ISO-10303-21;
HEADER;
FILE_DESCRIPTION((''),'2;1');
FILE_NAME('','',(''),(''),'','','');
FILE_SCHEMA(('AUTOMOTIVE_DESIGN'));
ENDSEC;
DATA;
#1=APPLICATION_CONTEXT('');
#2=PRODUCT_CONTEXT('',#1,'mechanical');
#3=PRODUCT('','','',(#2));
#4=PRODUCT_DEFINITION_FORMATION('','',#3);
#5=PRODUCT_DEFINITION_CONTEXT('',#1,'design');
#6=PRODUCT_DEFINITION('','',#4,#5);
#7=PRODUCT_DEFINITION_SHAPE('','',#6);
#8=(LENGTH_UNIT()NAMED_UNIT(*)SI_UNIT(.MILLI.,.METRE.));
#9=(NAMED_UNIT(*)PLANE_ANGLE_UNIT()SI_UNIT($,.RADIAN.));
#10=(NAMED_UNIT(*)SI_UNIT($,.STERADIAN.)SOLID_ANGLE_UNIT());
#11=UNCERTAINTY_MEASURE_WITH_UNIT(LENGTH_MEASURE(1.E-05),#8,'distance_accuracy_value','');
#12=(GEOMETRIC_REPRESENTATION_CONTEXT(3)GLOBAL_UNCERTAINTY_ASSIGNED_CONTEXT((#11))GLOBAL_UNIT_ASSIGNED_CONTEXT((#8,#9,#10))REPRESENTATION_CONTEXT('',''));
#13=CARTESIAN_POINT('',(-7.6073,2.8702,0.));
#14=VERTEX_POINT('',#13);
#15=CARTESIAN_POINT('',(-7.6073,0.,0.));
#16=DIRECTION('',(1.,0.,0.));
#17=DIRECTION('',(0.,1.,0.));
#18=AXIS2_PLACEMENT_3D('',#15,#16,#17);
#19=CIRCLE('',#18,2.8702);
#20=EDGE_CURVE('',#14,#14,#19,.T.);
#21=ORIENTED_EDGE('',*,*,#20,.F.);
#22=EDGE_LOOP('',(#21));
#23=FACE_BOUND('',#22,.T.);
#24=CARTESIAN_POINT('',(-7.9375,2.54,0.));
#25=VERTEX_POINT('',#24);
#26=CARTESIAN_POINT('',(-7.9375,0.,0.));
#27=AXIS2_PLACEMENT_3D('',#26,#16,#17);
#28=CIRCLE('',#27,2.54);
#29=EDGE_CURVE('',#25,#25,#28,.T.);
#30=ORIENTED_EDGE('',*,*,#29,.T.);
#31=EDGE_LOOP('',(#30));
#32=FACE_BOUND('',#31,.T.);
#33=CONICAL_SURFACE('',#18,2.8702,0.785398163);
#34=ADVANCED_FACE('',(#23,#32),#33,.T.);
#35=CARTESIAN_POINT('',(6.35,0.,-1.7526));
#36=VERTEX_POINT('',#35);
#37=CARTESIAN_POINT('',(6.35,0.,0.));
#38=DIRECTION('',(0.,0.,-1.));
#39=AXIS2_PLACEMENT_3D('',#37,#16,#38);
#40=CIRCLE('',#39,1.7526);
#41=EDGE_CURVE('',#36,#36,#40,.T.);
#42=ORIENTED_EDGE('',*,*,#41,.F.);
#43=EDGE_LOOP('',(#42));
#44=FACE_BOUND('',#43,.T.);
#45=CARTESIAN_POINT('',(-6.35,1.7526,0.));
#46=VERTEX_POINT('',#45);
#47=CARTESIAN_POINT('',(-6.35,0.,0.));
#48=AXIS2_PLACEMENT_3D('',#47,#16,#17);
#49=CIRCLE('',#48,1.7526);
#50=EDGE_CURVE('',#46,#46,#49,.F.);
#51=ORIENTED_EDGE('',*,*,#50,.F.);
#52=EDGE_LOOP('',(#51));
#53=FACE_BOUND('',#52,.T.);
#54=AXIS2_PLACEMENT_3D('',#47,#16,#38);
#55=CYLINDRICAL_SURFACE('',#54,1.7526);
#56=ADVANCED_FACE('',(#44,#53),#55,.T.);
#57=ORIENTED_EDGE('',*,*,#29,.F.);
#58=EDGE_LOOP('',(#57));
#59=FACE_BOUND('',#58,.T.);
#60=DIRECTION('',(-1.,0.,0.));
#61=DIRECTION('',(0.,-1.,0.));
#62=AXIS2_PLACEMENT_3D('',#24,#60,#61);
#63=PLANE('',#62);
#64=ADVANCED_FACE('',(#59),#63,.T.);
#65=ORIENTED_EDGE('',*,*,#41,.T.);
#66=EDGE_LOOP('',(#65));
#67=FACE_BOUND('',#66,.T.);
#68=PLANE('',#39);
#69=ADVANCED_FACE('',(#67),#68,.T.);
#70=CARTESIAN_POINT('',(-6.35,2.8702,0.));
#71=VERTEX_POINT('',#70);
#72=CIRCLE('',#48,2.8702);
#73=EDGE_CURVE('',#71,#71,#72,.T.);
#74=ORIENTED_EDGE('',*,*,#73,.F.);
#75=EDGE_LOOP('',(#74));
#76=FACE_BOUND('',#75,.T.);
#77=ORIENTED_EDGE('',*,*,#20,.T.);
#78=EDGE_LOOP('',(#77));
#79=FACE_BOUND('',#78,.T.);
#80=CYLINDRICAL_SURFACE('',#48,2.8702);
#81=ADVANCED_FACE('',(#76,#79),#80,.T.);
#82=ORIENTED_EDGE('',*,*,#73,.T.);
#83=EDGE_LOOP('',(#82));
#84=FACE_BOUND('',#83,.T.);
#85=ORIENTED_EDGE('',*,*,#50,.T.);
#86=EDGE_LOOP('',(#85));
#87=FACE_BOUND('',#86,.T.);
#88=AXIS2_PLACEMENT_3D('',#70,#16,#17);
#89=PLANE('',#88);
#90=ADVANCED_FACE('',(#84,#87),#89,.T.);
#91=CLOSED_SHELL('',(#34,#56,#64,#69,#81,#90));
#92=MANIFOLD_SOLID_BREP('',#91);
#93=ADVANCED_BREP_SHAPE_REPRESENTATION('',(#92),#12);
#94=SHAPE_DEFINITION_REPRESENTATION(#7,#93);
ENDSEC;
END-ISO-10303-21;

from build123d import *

# Parameters (mm, degrees)
SKETCH2_R           = 1.7526
BOSS_EXTRUDE1_DEPTH = 12.7


with BuildPart() as part:
    # Sketch2 → Boss-Extrude1 (new body)
    with BuildSketch(Plane(origin=(6.35, 0, 0), x_dir=(0, 0, -1), z_dir=(1, 0, 0))):
        Circle(SKETCH2_R)
    extrude(amount=-BOSS_EXTRUDE1_DEPTH)

    # Sketch6 → Revolve1 (revolve)
    with BuildSketch(Plane.XY):
        Polygon((-7.6073, 2.8702), (-7.9375, 2.54), (-7.9375, 0), (-6.35, 0), (-6.35, 2.8702), align=None)
    revolve(axis=Axis((-6.35, 0, 0), (-1, 0, 0)))


solid = part.part
